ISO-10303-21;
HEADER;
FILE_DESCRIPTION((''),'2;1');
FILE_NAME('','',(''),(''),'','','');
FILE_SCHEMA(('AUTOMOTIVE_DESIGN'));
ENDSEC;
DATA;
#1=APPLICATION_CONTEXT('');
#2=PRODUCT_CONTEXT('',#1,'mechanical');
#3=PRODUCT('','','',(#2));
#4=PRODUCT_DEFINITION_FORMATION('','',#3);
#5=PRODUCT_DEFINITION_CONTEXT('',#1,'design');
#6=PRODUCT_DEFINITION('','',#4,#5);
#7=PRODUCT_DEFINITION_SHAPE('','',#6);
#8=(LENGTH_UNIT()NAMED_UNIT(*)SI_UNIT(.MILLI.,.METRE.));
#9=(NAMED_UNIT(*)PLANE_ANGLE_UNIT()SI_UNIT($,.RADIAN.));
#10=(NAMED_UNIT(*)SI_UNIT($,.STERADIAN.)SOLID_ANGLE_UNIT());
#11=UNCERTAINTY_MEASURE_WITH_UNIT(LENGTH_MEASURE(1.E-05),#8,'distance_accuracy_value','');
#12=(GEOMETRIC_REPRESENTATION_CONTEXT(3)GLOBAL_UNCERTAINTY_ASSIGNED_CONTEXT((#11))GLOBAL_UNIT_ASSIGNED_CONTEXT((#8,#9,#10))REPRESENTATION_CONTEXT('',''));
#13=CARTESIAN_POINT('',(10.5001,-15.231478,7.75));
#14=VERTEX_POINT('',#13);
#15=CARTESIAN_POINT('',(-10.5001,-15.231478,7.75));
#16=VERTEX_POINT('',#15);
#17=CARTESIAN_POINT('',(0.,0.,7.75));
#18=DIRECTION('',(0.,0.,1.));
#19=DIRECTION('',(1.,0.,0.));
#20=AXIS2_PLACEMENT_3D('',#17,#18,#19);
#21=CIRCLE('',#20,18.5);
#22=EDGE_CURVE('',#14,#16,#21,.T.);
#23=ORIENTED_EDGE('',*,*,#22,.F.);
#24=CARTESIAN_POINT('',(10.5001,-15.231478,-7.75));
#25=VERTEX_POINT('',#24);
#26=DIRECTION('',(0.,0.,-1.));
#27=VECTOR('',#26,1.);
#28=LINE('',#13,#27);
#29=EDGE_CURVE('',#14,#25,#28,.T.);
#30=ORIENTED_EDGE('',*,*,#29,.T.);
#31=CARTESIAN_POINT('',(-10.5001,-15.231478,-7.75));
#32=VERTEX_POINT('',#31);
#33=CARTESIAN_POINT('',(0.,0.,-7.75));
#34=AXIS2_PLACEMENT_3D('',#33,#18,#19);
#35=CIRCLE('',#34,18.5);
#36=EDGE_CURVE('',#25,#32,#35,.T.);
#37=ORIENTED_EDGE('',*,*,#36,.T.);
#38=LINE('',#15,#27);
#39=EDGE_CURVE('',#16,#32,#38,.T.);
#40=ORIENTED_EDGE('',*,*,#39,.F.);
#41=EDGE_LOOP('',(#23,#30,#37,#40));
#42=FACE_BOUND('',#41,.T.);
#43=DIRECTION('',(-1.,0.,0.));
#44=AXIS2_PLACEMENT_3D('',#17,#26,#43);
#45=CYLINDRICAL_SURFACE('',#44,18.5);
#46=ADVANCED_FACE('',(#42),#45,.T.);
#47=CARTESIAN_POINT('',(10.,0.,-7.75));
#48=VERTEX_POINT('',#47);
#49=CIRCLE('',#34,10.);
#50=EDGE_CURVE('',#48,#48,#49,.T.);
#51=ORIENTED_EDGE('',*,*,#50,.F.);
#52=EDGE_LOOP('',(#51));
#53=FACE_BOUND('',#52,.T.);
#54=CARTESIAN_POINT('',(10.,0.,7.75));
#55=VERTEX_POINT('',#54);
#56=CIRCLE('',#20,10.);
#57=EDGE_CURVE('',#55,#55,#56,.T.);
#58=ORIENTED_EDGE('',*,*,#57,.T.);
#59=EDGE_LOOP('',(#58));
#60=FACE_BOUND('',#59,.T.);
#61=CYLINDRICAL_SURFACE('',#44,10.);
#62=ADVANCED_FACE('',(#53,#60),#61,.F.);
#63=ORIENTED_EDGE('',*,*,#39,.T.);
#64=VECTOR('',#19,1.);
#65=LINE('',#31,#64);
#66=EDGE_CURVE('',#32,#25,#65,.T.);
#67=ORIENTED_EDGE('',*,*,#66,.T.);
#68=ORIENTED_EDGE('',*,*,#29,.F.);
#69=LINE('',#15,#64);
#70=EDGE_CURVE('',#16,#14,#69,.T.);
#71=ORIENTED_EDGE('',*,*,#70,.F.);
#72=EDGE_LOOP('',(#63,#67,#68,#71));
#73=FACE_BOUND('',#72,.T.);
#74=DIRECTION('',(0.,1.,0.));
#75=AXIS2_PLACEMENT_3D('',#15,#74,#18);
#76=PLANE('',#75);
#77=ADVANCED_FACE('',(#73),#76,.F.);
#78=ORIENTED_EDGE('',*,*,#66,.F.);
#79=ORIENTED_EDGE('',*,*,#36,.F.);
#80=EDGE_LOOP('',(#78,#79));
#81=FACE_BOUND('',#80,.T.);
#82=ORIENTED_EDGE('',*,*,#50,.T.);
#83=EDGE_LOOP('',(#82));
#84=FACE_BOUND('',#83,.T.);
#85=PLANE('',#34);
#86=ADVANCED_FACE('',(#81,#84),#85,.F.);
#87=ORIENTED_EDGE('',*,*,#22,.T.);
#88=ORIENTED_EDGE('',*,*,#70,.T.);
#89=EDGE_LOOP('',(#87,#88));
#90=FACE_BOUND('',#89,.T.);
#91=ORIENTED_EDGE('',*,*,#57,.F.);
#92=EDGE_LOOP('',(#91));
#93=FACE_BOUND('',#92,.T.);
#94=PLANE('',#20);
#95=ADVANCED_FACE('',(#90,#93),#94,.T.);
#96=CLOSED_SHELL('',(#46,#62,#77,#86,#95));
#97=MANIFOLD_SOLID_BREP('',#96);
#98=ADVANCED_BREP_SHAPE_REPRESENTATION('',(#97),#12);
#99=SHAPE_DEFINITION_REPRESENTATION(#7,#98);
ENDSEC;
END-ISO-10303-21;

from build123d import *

# Parameters (mm, degrees)
IZIM1_R                     = 10
Y_KSEKLIK_EKSTR_ZYON1_DEPTH = 7.75


with BuildPart() as part:
    # Çizim1 → Yükseklik-Ekstrüzyon1 (new, symmetric)
    with BuildSketch(Plane.XY):
        with BuildLine():
            Line((-10.50009956, -15.231477579), (10.50009956, -15.231477579))
            ThreePointArc((10.50009956, -15.231477579), (0, 18.5), (-10.50009956, -15.231477579))
        make_face()
        Circle(IZIM1_R, mode=Mode.SUBTRACT)
    extrude(amount=Y_KSEKLIK_EKSTR_ZYON1_DEPTH, both=True)


solid = part.part
